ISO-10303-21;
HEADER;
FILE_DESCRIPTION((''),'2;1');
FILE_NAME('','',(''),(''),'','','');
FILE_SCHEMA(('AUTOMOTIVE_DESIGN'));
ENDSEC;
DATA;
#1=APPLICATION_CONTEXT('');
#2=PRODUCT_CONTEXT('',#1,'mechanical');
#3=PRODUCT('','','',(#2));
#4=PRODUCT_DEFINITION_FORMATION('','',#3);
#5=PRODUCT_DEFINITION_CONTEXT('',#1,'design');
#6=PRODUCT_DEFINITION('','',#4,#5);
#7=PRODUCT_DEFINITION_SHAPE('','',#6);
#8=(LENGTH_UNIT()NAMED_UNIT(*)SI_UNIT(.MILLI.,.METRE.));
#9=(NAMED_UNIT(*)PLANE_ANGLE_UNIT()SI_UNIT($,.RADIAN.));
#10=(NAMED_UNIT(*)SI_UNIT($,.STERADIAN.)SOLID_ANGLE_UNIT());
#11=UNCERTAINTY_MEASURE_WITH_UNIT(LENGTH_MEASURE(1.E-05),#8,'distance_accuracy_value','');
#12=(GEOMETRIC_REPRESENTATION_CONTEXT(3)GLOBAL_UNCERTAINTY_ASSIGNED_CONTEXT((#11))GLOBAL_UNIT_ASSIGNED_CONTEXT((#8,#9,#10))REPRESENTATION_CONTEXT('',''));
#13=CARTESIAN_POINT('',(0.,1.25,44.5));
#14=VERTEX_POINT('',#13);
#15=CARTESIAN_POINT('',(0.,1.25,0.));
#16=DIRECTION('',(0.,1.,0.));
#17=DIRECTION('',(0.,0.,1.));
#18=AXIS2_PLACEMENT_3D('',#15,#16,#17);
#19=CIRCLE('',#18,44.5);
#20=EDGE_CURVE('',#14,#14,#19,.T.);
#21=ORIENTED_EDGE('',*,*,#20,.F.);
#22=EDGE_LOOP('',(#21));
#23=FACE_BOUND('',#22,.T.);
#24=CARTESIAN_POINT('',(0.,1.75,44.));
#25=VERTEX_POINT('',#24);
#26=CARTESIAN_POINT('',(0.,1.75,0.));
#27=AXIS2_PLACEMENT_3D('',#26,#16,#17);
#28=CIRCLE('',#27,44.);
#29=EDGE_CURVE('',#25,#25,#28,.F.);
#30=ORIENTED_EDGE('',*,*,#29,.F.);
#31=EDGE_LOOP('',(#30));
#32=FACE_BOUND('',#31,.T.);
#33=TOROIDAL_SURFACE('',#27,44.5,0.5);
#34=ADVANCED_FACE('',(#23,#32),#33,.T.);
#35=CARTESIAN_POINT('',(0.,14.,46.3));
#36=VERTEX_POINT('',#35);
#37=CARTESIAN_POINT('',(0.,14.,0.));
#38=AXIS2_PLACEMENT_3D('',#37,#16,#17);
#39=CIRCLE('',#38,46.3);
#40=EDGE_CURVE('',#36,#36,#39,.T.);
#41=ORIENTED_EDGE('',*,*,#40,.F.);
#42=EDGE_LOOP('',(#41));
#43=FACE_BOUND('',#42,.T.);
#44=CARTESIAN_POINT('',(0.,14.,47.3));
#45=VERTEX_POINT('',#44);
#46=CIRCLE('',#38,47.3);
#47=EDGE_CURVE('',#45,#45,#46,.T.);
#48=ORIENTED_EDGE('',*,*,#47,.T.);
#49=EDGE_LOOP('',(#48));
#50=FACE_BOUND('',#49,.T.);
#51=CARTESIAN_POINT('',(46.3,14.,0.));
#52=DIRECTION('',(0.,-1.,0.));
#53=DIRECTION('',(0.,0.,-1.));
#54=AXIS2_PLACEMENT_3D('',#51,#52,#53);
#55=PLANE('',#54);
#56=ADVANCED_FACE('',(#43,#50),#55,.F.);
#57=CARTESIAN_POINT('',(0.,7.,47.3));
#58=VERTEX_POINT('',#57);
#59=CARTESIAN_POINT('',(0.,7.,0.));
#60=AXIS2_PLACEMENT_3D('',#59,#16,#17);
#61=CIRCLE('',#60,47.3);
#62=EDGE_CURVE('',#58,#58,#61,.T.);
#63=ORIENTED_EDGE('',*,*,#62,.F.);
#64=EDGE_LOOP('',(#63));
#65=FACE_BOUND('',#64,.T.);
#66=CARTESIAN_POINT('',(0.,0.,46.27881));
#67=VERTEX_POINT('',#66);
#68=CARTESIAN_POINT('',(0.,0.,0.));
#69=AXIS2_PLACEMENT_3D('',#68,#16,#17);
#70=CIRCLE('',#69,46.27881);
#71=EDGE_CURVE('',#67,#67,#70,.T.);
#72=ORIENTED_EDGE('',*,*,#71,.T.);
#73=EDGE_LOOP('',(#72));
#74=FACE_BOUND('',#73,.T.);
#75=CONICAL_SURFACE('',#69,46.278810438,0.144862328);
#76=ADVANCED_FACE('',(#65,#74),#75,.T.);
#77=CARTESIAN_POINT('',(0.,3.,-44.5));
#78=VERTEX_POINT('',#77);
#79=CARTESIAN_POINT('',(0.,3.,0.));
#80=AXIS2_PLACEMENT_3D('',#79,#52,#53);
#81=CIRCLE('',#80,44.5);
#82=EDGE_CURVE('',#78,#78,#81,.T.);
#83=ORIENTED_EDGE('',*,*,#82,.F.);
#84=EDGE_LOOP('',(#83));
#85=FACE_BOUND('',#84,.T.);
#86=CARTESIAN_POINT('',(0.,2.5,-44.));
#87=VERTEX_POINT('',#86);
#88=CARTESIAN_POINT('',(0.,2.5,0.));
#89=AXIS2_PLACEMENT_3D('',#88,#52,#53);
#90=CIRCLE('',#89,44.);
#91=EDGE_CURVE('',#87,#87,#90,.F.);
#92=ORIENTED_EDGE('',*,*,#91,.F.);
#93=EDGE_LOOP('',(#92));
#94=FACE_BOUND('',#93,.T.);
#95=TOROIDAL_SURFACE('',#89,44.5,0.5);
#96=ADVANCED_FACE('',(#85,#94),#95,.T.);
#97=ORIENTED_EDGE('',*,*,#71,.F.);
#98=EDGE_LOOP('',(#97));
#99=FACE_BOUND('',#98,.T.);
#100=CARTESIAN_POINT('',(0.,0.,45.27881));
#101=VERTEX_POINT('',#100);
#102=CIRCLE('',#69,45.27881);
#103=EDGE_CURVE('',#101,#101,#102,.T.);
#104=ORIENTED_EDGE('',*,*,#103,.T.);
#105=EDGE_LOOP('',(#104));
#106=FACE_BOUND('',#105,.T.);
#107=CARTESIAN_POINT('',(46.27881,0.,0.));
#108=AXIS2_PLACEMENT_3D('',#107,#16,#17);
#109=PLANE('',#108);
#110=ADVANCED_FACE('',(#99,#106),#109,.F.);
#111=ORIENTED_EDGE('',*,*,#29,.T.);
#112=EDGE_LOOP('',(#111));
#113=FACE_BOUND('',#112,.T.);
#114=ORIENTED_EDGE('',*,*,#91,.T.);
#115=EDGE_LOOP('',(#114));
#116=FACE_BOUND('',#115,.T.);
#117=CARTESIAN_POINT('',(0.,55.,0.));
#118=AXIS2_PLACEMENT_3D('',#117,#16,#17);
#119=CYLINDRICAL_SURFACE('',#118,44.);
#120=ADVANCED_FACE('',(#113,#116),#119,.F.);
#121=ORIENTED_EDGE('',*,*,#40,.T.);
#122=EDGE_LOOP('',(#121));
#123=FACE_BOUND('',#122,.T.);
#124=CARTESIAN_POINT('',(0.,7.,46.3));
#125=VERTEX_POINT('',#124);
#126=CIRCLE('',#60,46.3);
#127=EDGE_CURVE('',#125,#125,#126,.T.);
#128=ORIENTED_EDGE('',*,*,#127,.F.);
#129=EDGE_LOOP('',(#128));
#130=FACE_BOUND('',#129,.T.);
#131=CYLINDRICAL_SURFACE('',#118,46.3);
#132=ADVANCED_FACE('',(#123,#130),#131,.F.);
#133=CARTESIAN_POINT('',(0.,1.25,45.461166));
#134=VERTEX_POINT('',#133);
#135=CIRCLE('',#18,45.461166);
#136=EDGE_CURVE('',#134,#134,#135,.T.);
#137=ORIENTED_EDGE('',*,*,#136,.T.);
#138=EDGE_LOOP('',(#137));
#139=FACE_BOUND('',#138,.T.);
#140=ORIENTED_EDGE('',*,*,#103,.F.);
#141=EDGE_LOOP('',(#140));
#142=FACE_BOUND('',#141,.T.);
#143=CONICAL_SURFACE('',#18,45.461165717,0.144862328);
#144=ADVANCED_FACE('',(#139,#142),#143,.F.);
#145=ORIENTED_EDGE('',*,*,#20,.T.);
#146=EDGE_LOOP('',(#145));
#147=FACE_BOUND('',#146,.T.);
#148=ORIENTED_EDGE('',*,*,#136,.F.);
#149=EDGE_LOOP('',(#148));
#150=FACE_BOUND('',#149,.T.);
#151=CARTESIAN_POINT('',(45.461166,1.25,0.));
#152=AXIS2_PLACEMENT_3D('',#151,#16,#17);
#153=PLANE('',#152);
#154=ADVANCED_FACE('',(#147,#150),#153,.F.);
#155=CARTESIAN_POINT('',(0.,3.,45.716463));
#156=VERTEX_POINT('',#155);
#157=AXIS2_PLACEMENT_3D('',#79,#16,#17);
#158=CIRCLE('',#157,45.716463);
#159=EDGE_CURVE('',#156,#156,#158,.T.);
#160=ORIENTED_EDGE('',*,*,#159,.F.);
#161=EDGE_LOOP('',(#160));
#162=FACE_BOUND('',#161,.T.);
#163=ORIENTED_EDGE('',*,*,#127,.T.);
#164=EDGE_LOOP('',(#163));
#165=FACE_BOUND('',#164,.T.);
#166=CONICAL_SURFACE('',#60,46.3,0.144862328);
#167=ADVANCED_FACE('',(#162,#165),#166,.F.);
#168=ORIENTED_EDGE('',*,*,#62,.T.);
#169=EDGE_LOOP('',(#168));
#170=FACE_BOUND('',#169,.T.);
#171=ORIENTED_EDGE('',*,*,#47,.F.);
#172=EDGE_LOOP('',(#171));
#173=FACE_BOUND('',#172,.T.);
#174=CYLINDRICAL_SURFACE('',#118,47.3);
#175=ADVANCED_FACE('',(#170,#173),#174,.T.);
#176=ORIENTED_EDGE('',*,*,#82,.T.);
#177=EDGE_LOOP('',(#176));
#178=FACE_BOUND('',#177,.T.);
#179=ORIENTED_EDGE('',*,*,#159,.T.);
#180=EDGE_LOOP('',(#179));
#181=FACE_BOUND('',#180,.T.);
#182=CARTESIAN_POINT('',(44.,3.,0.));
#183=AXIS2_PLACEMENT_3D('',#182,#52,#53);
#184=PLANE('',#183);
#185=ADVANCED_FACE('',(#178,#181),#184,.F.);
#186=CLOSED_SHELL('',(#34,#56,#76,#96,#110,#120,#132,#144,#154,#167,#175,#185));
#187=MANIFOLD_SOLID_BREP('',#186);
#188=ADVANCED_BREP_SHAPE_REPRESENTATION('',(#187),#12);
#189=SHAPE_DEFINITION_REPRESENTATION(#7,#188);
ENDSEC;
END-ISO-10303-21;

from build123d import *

# Parameters (mm, degrees)
FILLET1_R = 0.5


with BuildPart() as part:
    # Sketch1 → Revolve1 (revolve)
    with BuildSketch(Plane.XY, mode=Mode.PRIVATE) as revolve1_sk:
        Polygon((45.278810438, 0), (45.461165717, 1.25), (44, 1.25), (44, 3), (45.716463107, 3), (46.3, 7), (46.3, 14), (47.3, 14), (47.3, 7), (46.278810438, 0), align=None)
    revolve(revolve1_sk.sketch.rotate(Axis((0, 55, 0), (0, -1, 0)), 90), axis=Axis((0, 55, 0), (0, -1, 0)))

    # Fillet1
    fillet1_edges = [part.edges().sort_by_distance(p)[0] for p in [
        (0, 3, -44),
        (0, 1.25, -44),
    ]]
    fillet(fillet1_edges, radius=FILLET1_R)


solid = part.part
